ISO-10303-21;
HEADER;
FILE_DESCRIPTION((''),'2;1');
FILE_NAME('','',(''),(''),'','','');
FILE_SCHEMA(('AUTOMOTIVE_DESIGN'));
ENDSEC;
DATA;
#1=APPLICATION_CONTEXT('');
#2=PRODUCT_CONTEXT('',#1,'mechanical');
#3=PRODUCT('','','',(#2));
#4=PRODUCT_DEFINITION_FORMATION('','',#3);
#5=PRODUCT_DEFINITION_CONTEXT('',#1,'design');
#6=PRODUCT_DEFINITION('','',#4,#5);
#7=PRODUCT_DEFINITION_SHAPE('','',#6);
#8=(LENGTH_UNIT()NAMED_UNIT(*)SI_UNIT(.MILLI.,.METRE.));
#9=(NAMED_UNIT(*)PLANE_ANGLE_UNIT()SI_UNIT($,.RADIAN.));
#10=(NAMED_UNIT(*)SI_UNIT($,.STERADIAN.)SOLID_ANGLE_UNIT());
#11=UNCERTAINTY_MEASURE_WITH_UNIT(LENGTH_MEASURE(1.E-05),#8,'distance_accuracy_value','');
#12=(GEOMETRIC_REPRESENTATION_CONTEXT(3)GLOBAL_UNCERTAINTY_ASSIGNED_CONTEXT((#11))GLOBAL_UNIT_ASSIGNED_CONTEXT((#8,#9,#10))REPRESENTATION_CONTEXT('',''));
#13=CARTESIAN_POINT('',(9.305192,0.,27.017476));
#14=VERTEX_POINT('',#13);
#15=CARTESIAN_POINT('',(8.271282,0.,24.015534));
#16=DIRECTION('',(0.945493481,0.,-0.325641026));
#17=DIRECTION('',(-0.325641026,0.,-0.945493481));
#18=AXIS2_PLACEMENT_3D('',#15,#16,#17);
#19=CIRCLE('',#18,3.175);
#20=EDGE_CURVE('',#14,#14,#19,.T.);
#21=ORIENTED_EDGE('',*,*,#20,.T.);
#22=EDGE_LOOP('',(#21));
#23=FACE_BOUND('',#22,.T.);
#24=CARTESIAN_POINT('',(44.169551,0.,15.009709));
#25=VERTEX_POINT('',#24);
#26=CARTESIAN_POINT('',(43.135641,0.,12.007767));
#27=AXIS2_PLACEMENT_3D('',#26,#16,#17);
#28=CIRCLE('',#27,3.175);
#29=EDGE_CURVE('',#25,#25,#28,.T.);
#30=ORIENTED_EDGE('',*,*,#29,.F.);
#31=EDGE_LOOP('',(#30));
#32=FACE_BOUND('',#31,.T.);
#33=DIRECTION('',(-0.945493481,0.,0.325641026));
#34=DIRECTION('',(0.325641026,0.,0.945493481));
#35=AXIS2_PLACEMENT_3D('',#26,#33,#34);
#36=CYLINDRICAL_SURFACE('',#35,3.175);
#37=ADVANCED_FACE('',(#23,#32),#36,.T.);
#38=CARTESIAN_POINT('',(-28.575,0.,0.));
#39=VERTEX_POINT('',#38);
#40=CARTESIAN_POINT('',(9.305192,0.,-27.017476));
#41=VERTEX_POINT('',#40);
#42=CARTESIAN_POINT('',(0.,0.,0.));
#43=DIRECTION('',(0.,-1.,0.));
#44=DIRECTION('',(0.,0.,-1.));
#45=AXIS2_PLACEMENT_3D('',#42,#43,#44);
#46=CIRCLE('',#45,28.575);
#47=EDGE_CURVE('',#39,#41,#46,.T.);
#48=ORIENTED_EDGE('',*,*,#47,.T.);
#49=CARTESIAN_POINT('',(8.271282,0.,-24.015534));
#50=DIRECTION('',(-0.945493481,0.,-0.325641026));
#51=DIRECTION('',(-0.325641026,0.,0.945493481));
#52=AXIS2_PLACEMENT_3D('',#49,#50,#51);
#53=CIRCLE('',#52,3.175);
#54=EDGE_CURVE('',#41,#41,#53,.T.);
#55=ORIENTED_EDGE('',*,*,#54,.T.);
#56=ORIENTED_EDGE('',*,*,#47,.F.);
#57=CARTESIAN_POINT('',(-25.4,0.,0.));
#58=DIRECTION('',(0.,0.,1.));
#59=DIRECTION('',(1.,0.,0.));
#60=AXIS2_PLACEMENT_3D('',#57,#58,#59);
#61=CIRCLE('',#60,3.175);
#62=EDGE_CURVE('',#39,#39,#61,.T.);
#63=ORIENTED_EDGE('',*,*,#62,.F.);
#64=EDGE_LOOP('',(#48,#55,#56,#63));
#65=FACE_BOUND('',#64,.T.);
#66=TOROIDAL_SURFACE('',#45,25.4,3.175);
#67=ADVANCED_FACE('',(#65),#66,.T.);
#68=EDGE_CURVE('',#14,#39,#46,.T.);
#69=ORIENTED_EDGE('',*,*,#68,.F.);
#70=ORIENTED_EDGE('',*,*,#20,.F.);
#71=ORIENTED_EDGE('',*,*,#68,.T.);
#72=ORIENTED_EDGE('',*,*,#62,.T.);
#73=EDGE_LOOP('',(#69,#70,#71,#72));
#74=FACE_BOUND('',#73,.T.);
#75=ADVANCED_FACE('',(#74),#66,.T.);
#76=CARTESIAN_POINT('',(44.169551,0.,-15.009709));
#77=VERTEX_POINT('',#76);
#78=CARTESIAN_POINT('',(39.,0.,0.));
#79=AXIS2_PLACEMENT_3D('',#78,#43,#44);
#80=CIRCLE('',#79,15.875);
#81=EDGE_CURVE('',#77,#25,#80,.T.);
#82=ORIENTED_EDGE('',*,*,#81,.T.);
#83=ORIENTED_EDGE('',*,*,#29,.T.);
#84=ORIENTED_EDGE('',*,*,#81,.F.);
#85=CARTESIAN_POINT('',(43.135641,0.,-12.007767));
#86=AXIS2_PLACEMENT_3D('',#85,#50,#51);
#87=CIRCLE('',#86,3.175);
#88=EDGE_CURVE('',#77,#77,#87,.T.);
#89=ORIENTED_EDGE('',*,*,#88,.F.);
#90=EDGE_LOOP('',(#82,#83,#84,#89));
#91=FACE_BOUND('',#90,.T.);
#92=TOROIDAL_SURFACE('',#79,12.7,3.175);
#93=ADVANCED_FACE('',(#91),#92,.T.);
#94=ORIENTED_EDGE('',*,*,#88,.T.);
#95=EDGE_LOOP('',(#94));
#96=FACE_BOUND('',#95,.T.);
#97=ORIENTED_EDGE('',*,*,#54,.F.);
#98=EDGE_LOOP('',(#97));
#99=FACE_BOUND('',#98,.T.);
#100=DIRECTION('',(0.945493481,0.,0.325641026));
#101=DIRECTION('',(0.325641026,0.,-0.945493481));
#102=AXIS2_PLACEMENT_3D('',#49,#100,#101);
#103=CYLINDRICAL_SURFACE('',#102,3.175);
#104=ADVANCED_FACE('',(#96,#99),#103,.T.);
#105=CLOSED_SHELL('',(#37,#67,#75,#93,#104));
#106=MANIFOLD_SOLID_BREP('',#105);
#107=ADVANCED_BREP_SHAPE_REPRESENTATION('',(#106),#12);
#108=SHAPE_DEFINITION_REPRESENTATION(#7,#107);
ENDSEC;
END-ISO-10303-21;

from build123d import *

# Parameters (mm, degrees)
SKETCH2_R = 3.175


with BuildPart() as part:
    # Sweep1: sweep along a path in Sketch1
    with BuildLine(Plane(origin=(0, 0, 0), x_dir=(1, 0, 0), z_dir=(0, 1, 0))) as sweep1_path:
        Line((8.271282051, 24.015534415), (43.135641026, 12.007767207))
        ThreePointArc((43.135641026, 12.007767207), (51.7, 0), (43.135641026, -12.007767207))
        Line((43.135641026, -12.007767207), (8.271282051, -24.015534415))
        ThreePointArc((8.271282051, -24.015534415), (-25.4, 0), (8.271282051, 24.015534415))
    # Sketch2 → Sweep1 (sweep)
    with BuildSketch(Plane.XY):
        with Locations((-25.4, 0)):
            Circle(SKETCH2_R)
    sweep(path=sweep1_path.line)


solid = part.part
